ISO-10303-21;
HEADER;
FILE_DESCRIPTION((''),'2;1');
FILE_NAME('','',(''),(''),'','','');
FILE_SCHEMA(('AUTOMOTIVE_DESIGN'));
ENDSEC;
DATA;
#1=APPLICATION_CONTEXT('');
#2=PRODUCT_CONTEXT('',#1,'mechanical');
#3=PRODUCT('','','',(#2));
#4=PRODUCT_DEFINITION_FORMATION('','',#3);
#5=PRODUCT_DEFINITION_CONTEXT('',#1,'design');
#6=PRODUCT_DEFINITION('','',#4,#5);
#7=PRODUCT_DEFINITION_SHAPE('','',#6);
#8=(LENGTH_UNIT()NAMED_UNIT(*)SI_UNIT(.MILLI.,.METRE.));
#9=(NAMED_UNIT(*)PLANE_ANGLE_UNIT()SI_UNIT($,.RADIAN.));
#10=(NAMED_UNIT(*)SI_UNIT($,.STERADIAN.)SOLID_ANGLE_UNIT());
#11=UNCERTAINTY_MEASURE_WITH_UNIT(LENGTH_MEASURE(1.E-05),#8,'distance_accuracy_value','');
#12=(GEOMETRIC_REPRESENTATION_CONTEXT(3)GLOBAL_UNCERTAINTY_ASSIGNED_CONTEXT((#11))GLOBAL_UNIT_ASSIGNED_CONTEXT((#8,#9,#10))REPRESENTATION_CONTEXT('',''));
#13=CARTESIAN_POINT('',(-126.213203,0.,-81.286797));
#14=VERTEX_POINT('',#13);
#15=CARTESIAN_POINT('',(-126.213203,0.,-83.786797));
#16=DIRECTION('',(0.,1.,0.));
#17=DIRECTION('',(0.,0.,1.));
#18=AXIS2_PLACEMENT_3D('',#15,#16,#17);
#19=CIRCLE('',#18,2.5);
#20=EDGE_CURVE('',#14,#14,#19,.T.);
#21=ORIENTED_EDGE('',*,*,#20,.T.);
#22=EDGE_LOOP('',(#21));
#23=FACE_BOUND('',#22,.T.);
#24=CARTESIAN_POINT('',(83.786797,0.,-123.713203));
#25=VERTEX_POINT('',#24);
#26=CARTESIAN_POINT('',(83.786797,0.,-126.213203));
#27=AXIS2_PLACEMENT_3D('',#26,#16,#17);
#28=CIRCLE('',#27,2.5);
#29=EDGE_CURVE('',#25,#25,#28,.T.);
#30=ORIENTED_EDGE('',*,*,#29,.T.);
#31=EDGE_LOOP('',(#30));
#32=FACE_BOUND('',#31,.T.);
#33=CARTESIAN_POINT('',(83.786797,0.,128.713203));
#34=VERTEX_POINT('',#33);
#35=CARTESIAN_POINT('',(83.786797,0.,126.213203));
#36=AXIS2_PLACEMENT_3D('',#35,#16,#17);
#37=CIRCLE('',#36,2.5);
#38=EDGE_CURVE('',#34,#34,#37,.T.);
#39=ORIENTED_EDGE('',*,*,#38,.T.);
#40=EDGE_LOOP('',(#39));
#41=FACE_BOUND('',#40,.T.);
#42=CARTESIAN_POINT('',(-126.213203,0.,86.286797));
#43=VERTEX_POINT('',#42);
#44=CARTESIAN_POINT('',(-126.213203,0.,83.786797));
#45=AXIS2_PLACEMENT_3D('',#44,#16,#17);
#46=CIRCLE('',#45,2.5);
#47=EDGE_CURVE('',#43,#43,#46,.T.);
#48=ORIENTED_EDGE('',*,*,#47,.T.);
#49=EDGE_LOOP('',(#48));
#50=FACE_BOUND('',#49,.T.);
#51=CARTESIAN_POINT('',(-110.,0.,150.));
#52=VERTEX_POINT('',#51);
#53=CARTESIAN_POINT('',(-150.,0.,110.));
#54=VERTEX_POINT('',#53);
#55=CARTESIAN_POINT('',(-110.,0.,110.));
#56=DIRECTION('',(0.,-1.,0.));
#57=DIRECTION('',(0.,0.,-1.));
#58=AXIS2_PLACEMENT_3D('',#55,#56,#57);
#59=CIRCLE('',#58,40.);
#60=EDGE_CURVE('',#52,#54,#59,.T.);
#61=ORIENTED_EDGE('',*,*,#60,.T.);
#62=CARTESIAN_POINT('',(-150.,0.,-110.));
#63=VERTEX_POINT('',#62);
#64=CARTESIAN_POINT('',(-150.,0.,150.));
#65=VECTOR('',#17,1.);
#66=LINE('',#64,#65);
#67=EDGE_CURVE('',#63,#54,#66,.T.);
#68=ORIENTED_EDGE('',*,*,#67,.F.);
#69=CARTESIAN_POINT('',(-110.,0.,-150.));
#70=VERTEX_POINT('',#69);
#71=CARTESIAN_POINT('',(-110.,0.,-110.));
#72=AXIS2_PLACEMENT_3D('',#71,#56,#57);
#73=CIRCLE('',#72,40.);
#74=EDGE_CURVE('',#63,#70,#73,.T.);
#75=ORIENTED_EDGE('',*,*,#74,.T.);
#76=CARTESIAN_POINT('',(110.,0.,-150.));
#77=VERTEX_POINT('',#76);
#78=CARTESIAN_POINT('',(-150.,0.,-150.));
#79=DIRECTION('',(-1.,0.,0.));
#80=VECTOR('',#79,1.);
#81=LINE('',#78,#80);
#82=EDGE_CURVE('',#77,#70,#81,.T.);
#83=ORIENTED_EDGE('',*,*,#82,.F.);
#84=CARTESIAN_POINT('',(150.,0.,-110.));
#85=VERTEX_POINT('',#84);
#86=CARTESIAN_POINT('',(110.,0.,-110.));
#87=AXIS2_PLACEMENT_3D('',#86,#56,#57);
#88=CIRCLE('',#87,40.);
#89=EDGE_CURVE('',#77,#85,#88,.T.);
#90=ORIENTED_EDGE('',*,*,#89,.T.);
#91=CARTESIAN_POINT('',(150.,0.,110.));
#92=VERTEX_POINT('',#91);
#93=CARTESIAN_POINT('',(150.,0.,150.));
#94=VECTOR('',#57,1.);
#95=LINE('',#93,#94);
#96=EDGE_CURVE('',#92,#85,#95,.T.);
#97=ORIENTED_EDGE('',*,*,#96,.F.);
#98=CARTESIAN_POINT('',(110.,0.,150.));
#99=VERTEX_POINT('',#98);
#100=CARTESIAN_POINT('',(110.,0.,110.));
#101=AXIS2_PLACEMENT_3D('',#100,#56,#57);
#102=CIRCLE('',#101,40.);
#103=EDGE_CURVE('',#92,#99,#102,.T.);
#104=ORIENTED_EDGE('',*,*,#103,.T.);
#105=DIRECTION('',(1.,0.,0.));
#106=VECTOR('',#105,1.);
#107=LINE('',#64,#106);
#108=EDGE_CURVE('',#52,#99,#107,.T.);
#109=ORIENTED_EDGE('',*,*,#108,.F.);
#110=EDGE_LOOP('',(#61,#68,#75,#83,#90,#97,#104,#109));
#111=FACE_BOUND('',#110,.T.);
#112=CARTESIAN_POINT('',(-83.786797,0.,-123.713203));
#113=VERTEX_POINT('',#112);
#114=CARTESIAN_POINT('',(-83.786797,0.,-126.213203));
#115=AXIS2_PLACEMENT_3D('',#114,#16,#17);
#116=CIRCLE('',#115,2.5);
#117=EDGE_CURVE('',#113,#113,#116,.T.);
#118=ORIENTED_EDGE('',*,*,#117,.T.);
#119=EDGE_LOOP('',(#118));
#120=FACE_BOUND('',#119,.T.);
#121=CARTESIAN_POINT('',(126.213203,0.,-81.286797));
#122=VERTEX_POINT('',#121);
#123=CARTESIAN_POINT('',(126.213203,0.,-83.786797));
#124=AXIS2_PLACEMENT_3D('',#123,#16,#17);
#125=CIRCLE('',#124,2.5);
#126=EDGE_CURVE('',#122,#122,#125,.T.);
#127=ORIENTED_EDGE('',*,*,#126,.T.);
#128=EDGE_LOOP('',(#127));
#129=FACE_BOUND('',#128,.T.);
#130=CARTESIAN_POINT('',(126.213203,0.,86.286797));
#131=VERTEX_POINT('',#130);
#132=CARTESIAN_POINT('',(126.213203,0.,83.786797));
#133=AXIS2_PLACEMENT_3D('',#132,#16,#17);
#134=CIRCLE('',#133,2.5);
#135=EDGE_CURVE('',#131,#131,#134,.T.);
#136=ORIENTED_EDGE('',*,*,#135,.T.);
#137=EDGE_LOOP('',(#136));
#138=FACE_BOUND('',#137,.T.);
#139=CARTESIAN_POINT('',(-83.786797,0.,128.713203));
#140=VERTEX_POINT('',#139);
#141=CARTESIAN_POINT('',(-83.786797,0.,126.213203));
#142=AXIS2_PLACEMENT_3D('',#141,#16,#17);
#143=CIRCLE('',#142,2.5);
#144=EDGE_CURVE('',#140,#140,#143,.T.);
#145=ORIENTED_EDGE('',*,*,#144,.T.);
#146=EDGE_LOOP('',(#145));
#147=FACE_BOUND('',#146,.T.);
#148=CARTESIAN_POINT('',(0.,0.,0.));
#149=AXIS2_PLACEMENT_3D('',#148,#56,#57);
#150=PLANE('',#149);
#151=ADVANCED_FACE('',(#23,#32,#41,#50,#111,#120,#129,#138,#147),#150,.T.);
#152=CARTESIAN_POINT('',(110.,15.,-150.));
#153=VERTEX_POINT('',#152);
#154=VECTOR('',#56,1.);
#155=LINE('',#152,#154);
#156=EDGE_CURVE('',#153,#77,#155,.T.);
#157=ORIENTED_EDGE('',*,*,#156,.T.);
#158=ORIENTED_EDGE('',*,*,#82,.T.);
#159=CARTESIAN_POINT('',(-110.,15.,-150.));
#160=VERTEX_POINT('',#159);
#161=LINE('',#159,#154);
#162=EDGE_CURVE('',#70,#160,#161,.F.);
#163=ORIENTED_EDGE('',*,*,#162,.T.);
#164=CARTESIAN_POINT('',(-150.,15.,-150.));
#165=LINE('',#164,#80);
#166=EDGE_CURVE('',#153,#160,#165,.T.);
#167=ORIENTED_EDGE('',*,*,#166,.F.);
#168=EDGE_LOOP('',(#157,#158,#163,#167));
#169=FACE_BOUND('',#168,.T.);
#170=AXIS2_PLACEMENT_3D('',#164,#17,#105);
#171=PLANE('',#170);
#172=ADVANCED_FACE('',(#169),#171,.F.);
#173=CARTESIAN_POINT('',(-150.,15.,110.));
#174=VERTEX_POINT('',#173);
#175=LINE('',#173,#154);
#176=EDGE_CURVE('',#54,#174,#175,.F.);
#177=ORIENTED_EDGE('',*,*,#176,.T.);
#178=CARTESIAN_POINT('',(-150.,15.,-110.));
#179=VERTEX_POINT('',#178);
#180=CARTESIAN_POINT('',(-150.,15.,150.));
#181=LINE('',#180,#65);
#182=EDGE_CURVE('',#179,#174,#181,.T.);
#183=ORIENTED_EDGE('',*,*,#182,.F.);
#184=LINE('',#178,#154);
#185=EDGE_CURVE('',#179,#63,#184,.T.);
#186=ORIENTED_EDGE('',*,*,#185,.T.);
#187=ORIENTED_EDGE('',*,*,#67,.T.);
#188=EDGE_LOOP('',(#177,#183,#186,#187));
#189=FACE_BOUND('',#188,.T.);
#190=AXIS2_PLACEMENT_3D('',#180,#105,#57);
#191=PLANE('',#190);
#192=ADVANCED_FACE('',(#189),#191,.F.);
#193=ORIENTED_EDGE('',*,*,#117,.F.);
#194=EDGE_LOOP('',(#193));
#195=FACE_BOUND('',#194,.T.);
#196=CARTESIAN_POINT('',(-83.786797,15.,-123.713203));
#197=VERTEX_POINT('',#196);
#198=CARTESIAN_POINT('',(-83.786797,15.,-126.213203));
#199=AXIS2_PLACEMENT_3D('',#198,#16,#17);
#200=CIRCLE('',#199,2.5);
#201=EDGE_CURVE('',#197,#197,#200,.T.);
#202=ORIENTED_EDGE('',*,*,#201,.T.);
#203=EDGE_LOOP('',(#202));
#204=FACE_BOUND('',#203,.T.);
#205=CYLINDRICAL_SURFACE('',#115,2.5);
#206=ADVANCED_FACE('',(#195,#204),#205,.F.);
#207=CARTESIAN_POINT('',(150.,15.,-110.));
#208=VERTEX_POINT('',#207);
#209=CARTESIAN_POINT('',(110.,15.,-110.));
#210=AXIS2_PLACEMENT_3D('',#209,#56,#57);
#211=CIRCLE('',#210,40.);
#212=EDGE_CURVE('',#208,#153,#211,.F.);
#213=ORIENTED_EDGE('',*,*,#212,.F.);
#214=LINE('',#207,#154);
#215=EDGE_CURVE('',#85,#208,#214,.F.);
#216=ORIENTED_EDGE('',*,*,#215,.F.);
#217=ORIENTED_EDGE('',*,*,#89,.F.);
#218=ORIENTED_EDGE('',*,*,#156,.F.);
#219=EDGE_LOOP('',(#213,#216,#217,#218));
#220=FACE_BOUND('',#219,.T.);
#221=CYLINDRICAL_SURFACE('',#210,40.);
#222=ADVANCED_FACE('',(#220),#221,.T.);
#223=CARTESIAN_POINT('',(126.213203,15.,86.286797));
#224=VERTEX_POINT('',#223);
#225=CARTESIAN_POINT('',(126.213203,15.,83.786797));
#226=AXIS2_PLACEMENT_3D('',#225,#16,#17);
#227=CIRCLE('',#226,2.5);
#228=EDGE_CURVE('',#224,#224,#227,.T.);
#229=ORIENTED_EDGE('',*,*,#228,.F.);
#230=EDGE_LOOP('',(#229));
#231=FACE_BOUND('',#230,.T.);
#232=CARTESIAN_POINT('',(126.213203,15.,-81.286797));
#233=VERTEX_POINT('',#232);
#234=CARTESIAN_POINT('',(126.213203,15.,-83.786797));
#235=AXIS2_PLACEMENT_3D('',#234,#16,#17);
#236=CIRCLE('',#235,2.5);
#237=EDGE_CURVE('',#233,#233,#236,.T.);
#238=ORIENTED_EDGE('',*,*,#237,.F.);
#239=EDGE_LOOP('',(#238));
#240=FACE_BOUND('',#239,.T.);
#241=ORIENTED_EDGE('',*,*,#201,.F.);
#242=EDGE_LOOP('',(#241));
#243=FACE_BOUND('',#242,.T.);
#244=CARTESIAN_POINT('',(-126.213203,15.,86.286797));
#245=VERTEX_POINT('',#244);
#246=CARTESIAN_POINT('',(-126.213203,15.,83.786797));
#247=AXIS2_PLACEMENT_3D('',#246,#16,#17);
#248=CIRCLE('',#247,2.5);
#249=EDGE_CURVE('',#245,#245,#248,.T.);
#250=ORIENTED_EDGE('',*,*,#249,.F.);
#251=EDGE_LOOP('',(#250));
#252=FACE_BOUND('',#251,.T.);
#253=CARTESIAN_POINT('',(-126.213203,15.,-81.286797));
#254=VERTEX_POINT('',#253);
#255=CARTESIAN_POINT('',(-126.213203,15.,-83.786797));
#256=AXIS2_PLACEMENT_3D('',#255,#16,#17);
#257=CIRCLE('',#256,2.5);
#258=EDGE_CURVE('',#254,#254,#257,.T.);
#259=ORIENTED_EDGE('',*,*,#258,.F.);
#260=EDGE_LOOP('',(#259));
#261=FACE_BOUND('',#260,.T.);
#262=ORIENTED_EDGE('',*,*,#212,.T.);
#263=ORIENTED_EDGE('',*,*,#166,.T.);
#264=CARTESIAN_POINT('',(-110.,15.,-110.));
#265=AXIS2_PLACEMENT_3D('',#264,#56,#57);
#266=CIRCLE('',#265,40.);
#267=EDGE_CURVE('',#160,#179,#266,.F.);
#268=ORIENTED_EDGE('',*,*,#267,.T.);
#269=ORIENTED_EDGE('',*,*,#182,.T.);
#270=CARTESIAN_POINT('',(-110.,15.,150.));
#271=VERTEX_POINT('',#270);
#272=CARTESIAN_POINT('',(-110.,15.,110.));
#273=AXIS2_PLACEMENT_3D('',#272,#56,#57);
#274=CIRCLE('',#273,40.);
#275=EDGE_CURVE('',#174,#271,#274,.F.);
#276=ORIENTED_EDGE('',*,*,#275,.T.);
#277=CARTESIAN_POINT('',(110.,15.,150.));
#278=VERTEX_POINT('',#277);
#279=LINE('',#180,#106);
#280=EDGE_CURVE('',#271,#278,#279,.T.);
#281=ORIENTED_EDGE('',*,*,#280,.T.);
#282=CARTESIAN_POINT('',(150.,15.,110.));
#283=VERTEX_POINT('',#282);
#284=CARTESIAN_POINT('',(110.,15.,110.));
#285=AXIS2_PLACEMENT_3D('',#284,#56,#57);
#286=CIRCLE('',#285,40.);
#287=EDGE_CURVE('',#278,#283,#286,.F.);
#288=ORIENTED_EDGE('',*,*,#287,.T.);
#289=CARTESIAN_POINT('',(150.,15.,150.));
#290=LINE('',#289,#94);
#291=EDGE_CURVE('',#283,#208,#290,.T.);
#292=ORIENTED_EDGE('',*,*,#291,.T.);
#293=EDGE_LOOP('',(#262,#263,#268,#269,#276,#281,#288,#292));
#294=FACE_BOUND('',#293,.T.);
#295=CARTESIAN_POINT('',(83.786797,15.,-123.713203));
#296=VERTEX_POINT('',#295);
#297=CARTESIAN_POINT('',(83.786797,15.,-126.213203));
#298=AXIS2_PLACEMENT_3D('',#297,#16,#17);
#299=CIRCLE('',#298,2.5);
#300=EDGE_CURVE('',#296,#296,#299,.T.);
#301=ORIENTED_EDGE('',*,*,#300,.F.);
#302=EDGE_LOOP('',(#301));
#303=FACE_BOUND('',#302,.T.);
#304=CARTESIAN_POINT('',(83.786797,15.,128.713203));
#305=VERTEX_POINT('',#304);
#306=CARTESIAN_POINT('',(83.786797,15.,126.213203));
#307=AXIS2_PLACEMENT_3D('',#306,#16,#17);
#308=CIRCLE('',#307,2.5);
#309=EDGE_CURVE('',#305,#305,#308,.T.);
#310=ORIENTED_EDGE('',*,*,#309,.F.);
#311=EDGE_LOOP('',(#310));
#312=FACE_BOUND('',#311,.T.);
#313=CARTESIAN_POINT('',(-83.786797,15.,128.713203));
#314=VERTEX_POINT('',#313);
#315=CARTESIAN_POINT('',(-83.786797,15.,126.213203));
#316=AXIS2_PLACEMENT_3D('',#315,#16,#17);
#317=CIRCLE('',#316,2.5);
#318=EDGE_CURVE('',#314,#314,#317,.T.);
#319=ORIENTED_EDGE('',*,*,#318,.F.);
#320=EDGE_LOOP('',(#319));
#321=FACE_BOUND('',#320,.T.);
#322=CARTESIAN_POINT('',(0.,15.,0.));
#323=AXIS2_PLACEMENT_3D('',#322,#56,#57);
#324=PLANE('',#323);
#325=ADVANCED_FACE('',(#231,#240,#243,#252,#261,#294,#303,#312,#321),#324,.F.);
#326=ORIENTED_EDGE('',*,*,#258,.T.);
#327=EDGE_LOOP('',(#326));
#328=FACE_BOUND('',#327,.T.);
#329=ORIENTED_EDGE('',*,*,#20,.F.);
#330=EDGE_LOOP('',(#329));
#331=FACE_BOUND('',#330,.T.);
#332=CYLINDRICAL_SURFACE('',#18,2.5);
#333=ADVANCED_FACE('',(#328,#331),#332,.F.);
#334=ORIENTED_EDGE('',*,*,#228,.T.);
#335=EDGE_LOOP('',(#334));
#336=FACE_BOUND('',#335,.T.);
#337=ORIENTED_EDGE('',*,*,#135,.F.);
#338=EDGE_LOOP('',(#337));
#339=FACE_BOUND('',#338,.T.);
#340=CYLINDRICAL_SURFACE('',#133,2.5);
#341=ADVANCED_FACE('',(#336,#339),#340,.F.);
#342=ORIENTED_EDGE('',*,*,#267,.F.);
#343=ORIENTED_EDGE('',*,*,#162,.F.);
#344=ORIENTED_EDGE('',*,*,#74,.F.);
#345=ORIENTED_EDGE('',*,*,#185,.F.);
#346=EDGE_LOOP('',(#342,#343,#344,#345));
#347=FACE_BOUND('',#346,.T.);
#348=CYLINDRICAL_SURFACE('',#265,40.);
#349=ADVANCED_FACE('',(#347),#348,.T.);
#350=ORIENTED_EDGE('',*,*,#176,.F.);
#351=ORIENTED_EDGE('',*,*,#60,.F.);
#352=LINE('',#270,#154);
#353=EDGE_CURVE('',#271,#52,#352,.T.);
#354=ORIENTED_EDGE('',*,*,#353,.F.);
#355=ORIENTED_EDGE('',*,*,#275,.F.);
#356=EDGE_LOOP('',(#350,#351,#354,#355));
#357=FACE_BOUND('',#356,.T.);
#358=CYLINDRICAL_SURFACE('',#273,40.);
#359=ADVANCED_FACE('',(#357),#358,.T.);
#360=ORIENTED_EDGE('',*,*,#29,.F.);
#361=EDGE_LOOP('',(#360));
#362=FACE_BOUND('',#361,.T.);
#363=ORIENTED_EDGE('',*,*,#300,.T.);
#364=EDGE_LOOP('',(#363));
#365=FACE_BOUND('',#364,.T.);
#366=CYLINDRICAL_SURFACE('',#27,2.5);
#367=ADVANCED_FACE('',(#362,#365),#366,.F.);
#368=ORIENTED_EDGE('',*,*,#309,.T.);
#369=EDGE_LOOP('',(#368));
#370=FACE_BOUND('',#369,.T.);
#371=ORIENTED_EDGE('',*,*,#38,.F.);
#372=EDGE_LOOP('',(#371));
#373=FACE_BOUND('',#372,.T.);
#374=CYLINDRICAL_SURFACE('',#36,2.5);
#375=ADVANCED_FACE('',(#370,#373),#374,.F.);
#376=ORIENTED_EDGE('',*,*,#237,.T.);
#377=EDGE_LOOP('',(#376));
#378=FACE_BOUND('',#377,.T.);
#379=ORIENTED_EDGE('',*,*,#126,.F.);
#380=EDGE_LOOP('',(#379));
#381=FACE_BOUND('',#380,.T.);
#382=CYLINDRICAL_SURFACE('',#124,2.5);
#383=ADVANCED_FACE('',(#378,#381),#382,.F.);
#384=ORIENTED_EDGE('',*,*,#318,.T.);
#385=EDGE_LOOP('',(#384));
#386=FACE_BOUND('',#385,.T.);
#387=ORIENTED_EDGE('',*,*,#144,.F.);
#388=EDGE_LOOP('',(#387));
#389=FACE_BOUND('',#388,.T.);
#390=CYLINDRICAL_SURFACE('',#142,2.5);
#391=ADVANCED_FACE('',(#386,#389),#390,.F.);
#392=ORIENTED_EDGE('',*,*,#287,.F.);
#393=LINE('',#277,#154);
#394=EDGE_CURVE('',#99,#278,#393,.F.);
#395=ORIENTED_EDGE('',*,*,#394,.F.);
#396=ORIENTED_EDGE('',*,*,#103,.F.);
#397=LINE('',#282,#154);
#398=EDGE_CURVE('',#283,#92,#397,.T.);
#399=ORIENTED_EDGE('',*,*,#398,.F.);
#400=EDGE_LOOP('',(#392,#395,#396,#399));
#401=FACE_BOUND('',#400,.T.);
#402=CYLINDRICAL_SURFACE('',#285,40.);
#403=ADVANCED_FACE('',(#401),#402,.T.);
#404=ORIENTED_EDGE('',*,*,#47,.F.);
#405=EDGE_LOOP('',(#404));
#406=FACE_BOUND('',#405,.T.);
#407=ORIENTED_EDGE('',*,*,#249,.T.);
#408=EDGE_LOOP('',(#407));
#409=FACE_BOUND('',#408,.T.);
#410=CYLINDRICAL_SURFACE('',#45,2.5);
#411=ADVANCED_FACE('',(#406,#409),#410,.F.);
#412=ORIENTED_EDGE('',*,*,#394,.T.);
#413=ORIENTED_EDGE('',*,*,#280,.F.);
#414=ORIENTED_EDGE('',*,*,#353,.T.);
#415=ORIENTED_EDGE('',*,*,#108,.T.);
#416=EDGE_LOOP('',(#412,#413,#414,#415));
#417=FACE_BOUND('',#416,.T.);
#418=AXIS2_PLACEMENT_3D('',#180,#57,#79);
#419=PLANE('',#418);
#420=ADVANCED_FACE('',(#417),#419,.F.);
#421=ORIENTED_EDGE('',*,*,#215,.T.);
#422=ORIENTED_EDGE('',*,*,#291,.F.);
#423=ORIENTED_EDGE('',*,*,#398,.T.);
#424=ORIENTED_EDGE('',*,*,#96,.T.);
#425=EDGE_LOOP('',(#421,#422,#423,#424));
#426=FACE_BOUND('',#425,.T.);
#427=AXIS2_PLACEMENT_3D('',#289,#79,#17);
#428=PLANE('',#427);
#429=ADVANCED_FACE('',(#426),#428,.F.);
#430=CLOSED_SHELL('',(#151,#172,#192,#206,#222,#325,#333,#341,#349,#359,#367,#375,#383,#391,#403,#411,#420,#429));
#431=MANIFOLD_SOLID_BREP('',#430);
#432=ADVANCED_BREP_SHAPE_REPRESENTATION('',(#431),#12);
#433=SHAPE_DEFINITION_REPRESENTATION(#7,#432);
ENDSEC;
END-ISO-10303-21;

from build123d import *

# Parameters (mm, degrees)
SKETCH1_W           = 300
SKETCH1_H           = 300
BOSS_EXTRUDE1_DEPTH = 15
SKETCH3_R           = 2.5
CUT_EXTRUDE1_DEPTH  = 16
FILLET1_R           = 40


with BuildPart() as part:
    # Sketch1 → Boss-Extrude1 (new body)
    with BuildSketch(Plane(origin=(0, 0, 0), x_dir=(1, 0, 0), z_dir=(0, 1, 0))):
        Rectangle(SKETCH1_W, SKETCH1_H)
    extrude(amount=BOSS_EXTRUDE1_DEPTH)

    # Sketch3 → Cut-Extrude1 (cut, through all)
    with BuildSketch(Plane(origin=(0, 15, 0), x_dir=(1, 0, 0), z_dir=(0, 1, 0))):
        with Locations((-83.786796564, 126.213203436)):
            Circle(SKETCH3_R)
        with Locations((-126.213203436, 83.786796564)):
            Circle(SKETCH3_R)
        with Locations((126.213203436, 83.786796564)):
            Circle(SKETCH3_R)
        with Locations((83.786796564, 126.213203436)):
            Circle(SKETCH3_R)
        with Locations((83.786796564, -126.213203436)):
            Circle(SKETCH3_R)
        with Locations((126.213203436, -83.786796564)):
            Circle(SKETCH3_R)
        with Locations((-126.213203436, -83.786796564)):
            Circle(SKETCH3_R)
        with Locations((-83.786796564, -126.213203436)):
            Circle(SKETCH3_R)
    extrude(amount=-CUT_EXTRUDE1_DEPTH, mode=Mode.SUBTRACT)

    # Fillet1
    fillet1_edges = [part.edges().sort_by_distance(p)[0] for p in [
        (150, 7.5, 150),
        (-150, 7.5, 150),
        (-150, 7.5, -150),
        (150, 7.5, -150),
    ]]
    fillet(fillet1_edges, radius=FILLET1_R)


solid = part.part
